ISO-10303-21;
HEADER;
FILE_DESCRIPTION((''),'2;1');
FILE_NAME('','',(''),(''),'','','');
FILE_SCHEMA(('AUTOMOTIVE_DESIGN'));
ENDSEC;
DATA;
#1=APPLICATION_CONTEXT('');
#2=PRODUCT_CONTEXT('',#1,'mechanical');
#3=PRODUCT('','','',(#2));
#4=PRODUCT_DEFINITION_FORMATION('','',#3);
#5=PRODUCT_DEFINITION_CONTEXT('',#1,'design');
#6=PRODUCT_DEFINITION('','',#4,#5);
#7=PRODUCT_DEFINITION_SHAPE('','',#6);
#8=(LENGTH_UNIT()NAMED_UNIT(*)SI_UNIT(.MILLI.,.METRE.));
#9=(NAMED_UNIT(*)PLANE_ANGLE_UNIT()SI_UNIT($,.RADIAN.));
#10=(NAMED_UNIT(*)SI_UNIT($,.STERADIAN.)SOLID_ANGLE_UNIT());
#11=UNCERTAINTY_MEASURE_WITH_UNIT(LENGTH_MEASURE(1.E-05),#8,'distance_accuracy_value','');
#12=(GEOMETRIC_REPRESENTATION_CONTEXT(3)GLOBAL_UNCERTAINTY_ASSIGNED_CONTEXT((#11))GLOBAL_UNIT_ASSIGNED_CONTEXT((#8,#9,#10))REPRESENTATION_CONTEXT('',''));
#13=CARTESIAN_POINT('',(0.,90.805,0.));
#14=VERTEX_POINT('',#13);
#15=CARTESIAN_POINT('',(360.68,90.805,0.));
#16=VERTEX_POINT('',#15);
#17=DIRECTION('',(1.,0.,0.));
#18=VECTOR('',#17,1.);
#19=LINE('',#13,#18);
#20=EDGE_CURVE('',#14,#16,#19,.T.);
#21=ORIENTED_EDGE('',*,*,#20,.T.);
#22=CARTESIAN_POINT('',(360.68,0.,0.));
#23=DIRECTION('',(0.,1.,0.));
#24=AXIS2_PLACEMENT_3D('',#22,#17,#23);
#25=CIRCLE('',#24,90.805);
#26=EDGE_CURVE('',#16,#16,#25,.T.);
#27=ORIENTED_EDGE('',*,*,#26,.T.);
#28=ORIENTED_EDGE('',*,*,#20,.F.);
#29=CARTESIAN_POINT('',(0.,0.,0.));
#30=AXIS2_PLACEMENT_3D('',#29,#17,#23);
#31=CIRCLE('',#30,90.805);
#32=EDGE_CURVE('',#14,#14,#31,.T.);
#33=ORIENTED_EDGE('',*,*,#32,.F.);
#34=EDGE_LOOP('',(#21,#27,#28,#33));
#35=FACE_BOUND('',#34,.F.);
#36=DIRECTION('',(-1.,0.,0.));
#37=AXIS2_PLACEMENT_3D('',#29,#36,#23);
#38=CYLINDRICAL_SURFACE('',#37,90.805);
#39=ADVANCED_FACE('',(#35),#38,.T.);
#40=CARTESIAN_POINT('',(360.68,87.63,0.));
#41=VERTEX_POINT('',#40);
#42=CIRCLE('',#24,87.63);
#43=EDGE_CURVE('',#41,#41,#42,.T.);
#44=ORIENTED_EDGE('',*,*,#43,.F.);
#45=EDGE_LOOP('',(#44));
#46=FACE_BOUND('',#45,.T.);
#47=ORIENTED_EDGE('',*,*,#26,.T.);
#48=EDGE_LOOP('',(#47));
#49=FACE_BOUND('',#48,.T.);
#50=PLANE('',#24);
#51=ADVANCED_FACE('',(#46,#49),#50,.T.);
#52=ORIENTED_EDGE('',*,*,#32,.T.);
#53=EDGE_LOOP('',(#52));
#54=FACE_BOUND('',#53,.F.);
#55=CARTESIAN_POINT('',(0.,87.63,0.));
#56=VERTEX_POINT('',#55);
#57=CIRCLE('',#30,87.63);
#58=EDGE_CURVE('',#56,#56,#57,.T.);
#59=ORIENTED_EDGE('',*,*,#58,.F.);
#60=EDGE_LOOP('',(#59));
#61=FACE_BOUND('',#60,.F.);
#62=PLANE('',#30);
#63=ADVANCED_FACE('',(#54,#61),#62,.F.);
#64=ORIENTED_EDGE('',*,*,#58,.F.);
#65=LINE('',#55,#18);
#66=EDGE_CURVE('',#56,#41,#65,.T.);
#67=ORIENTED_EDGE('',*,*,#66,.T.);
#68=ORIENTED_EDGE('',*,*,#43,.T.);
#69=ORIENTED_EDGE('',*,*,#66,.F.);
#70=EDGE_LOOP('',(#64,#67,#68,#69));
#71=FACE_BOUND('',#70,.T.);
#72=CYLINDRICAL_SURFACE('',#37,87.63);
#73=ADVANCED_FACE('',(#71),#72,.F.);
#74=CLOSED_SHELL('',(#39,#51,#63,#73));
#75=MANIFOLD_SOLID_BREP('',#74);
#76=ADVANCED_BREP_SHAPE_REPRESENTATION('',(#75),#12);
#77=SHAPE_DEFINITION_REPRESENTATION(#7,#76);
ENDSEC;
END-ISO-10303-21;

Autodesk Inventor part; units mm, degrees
ref_plane "YZ Plane" through (0, 0, 0) normal (1, 0, 0) x (0, 1, 0)
ref_plane "XZ Plane" through (0, 0, 0) normal (0, 1, 0) x (-1, 0, 0)
ref_plane "XY Plane" through (0, 0, 0) normal (0, 0, 1) x (1, 0, 0)
sketch "Sketch1" plane through (0, 0, 0) normal (1, 0, 0) x (0, 1, 0)
  circle A0 centre (0, 0) radius 90.805
  circle A1 centre (0, 0) radius 87.63
  dimension "d0" = 181.61
  dimension "d1" = 175.26
extrude "Extrusion1" add sketch "Sketch1" along normal blind 360.68
properties part number "casting_tube" material "Phenolic Resin"
